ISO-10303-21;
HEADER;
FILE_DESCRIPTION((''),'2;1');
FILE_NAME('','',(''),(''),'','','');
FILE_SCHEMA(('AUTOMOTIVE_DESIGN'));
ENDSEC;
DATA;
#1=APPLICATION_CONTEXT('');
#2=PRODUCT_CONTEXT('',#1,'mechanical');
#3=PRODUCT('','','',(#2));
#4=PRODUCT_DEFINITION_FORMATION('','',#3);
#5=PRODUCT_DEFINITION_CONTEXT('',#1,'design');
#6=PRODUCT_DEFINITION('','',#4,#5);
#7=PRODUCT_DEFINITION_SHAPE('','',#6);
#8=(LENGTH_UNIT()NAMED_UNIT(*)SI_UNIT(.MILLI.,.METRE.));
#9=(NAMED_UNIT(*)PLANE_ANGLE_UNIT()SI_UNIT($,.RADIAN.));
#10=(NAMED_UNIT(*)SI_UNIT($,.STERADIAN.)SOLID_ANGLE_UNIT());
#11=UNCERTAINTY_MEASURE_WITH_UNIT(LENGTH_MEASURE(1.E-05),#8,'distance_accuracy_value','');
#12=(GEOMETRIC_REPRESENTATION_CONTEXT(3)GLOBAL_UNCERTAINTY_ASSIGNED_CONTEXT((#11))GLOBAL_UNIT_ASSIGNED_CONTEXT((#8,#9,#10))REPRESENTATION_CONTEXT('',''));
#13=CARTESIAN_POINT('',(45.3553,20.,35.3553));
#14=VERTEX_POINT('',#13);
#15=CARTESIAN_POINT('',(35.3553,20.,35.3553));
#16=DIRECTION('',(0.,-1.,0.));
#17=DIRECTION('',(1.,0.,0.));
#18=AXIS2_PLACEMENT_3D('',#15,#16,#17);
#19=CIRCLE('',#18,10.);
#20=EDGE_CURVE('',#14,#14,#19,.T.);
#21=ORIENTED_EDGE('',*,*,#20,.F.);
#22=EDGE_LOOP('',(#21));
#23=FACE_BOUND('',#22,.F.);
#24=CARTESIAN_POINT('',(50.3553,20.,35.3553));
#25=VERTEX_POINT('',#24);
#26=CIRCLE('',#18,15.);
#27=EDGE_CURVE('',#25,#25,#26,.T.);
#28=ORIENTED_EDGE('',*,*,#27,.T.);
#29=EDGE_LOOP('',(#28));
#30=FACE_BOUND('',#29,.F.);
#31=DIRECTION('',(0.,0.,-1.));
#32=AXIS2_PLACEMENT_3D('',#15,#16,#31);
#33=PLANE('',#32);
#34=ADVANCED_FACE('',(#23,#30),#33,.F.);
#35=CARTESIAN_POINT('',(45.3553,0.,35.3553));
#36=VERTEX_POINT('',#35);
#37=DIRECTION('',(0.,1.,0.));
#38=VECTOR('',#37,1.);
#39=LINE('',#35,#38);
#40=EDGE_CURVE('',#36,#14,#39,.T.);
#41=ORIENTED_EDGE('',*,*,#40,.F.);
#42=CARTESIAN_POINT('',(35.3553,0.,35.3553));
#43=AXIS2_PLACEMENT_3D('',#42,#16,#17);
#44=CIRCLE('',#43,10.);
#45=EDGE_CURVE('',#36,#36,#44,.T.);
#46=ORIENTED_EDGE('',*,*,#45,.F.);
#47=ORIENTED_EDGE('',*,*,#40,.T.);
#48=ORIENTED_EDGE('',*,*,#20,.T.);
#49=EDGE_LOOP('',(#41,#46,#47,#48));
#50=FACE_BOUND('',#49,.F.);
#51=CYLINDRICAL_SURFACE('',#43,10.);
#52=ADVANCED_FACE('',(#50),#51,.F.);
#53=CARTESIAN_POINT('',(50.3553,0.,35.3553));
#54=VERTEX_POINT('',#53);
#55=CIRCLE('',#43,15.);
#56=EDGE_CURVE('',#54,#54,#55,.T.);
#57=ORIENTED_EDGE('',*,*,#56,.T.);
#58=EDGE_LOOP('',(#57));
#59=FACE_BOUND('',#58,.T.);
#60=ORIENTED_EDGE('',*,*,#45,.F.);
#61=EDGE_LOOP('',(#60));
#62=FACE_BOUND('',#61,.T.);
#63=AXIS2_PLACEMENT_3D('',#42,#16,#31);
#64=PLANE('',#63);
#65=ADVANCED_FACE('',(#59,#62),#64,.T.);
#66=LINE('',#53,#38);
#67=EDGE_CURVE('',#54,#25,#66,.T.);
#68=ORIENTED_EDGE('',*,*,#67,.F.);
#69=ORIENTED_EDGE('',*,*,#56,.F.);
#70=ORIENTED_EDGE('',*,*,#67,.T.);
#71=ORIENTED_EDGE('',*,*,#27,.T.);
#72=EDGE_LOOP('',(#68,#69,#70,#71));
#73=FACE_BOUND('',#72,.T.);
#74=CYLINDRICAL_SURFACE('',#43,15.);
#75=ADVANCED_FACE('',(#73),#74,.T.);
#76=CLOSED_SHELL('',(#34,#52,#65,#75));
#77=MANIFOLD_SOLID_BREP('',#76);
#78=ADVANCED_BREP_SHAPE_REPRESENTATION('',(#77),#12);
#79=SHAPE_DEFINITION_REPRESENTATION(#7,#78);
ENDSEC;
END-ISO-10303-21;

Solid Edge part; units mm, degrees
sketch "Sketch1" plane through (0, 0, 0) normal (0, -1, 0) x (1, 0, 0)
  circle A0 centre (35.3553, 35.3553) radius 10
  circle A1 centre (35.3553, 35.3553) radius 15
  dimension "D1" = 20
  dimension "D2" = 30
  dimension "D3" = 50
extrude "Protrusion1" add sketch "Sketch1" against normal blind 20
